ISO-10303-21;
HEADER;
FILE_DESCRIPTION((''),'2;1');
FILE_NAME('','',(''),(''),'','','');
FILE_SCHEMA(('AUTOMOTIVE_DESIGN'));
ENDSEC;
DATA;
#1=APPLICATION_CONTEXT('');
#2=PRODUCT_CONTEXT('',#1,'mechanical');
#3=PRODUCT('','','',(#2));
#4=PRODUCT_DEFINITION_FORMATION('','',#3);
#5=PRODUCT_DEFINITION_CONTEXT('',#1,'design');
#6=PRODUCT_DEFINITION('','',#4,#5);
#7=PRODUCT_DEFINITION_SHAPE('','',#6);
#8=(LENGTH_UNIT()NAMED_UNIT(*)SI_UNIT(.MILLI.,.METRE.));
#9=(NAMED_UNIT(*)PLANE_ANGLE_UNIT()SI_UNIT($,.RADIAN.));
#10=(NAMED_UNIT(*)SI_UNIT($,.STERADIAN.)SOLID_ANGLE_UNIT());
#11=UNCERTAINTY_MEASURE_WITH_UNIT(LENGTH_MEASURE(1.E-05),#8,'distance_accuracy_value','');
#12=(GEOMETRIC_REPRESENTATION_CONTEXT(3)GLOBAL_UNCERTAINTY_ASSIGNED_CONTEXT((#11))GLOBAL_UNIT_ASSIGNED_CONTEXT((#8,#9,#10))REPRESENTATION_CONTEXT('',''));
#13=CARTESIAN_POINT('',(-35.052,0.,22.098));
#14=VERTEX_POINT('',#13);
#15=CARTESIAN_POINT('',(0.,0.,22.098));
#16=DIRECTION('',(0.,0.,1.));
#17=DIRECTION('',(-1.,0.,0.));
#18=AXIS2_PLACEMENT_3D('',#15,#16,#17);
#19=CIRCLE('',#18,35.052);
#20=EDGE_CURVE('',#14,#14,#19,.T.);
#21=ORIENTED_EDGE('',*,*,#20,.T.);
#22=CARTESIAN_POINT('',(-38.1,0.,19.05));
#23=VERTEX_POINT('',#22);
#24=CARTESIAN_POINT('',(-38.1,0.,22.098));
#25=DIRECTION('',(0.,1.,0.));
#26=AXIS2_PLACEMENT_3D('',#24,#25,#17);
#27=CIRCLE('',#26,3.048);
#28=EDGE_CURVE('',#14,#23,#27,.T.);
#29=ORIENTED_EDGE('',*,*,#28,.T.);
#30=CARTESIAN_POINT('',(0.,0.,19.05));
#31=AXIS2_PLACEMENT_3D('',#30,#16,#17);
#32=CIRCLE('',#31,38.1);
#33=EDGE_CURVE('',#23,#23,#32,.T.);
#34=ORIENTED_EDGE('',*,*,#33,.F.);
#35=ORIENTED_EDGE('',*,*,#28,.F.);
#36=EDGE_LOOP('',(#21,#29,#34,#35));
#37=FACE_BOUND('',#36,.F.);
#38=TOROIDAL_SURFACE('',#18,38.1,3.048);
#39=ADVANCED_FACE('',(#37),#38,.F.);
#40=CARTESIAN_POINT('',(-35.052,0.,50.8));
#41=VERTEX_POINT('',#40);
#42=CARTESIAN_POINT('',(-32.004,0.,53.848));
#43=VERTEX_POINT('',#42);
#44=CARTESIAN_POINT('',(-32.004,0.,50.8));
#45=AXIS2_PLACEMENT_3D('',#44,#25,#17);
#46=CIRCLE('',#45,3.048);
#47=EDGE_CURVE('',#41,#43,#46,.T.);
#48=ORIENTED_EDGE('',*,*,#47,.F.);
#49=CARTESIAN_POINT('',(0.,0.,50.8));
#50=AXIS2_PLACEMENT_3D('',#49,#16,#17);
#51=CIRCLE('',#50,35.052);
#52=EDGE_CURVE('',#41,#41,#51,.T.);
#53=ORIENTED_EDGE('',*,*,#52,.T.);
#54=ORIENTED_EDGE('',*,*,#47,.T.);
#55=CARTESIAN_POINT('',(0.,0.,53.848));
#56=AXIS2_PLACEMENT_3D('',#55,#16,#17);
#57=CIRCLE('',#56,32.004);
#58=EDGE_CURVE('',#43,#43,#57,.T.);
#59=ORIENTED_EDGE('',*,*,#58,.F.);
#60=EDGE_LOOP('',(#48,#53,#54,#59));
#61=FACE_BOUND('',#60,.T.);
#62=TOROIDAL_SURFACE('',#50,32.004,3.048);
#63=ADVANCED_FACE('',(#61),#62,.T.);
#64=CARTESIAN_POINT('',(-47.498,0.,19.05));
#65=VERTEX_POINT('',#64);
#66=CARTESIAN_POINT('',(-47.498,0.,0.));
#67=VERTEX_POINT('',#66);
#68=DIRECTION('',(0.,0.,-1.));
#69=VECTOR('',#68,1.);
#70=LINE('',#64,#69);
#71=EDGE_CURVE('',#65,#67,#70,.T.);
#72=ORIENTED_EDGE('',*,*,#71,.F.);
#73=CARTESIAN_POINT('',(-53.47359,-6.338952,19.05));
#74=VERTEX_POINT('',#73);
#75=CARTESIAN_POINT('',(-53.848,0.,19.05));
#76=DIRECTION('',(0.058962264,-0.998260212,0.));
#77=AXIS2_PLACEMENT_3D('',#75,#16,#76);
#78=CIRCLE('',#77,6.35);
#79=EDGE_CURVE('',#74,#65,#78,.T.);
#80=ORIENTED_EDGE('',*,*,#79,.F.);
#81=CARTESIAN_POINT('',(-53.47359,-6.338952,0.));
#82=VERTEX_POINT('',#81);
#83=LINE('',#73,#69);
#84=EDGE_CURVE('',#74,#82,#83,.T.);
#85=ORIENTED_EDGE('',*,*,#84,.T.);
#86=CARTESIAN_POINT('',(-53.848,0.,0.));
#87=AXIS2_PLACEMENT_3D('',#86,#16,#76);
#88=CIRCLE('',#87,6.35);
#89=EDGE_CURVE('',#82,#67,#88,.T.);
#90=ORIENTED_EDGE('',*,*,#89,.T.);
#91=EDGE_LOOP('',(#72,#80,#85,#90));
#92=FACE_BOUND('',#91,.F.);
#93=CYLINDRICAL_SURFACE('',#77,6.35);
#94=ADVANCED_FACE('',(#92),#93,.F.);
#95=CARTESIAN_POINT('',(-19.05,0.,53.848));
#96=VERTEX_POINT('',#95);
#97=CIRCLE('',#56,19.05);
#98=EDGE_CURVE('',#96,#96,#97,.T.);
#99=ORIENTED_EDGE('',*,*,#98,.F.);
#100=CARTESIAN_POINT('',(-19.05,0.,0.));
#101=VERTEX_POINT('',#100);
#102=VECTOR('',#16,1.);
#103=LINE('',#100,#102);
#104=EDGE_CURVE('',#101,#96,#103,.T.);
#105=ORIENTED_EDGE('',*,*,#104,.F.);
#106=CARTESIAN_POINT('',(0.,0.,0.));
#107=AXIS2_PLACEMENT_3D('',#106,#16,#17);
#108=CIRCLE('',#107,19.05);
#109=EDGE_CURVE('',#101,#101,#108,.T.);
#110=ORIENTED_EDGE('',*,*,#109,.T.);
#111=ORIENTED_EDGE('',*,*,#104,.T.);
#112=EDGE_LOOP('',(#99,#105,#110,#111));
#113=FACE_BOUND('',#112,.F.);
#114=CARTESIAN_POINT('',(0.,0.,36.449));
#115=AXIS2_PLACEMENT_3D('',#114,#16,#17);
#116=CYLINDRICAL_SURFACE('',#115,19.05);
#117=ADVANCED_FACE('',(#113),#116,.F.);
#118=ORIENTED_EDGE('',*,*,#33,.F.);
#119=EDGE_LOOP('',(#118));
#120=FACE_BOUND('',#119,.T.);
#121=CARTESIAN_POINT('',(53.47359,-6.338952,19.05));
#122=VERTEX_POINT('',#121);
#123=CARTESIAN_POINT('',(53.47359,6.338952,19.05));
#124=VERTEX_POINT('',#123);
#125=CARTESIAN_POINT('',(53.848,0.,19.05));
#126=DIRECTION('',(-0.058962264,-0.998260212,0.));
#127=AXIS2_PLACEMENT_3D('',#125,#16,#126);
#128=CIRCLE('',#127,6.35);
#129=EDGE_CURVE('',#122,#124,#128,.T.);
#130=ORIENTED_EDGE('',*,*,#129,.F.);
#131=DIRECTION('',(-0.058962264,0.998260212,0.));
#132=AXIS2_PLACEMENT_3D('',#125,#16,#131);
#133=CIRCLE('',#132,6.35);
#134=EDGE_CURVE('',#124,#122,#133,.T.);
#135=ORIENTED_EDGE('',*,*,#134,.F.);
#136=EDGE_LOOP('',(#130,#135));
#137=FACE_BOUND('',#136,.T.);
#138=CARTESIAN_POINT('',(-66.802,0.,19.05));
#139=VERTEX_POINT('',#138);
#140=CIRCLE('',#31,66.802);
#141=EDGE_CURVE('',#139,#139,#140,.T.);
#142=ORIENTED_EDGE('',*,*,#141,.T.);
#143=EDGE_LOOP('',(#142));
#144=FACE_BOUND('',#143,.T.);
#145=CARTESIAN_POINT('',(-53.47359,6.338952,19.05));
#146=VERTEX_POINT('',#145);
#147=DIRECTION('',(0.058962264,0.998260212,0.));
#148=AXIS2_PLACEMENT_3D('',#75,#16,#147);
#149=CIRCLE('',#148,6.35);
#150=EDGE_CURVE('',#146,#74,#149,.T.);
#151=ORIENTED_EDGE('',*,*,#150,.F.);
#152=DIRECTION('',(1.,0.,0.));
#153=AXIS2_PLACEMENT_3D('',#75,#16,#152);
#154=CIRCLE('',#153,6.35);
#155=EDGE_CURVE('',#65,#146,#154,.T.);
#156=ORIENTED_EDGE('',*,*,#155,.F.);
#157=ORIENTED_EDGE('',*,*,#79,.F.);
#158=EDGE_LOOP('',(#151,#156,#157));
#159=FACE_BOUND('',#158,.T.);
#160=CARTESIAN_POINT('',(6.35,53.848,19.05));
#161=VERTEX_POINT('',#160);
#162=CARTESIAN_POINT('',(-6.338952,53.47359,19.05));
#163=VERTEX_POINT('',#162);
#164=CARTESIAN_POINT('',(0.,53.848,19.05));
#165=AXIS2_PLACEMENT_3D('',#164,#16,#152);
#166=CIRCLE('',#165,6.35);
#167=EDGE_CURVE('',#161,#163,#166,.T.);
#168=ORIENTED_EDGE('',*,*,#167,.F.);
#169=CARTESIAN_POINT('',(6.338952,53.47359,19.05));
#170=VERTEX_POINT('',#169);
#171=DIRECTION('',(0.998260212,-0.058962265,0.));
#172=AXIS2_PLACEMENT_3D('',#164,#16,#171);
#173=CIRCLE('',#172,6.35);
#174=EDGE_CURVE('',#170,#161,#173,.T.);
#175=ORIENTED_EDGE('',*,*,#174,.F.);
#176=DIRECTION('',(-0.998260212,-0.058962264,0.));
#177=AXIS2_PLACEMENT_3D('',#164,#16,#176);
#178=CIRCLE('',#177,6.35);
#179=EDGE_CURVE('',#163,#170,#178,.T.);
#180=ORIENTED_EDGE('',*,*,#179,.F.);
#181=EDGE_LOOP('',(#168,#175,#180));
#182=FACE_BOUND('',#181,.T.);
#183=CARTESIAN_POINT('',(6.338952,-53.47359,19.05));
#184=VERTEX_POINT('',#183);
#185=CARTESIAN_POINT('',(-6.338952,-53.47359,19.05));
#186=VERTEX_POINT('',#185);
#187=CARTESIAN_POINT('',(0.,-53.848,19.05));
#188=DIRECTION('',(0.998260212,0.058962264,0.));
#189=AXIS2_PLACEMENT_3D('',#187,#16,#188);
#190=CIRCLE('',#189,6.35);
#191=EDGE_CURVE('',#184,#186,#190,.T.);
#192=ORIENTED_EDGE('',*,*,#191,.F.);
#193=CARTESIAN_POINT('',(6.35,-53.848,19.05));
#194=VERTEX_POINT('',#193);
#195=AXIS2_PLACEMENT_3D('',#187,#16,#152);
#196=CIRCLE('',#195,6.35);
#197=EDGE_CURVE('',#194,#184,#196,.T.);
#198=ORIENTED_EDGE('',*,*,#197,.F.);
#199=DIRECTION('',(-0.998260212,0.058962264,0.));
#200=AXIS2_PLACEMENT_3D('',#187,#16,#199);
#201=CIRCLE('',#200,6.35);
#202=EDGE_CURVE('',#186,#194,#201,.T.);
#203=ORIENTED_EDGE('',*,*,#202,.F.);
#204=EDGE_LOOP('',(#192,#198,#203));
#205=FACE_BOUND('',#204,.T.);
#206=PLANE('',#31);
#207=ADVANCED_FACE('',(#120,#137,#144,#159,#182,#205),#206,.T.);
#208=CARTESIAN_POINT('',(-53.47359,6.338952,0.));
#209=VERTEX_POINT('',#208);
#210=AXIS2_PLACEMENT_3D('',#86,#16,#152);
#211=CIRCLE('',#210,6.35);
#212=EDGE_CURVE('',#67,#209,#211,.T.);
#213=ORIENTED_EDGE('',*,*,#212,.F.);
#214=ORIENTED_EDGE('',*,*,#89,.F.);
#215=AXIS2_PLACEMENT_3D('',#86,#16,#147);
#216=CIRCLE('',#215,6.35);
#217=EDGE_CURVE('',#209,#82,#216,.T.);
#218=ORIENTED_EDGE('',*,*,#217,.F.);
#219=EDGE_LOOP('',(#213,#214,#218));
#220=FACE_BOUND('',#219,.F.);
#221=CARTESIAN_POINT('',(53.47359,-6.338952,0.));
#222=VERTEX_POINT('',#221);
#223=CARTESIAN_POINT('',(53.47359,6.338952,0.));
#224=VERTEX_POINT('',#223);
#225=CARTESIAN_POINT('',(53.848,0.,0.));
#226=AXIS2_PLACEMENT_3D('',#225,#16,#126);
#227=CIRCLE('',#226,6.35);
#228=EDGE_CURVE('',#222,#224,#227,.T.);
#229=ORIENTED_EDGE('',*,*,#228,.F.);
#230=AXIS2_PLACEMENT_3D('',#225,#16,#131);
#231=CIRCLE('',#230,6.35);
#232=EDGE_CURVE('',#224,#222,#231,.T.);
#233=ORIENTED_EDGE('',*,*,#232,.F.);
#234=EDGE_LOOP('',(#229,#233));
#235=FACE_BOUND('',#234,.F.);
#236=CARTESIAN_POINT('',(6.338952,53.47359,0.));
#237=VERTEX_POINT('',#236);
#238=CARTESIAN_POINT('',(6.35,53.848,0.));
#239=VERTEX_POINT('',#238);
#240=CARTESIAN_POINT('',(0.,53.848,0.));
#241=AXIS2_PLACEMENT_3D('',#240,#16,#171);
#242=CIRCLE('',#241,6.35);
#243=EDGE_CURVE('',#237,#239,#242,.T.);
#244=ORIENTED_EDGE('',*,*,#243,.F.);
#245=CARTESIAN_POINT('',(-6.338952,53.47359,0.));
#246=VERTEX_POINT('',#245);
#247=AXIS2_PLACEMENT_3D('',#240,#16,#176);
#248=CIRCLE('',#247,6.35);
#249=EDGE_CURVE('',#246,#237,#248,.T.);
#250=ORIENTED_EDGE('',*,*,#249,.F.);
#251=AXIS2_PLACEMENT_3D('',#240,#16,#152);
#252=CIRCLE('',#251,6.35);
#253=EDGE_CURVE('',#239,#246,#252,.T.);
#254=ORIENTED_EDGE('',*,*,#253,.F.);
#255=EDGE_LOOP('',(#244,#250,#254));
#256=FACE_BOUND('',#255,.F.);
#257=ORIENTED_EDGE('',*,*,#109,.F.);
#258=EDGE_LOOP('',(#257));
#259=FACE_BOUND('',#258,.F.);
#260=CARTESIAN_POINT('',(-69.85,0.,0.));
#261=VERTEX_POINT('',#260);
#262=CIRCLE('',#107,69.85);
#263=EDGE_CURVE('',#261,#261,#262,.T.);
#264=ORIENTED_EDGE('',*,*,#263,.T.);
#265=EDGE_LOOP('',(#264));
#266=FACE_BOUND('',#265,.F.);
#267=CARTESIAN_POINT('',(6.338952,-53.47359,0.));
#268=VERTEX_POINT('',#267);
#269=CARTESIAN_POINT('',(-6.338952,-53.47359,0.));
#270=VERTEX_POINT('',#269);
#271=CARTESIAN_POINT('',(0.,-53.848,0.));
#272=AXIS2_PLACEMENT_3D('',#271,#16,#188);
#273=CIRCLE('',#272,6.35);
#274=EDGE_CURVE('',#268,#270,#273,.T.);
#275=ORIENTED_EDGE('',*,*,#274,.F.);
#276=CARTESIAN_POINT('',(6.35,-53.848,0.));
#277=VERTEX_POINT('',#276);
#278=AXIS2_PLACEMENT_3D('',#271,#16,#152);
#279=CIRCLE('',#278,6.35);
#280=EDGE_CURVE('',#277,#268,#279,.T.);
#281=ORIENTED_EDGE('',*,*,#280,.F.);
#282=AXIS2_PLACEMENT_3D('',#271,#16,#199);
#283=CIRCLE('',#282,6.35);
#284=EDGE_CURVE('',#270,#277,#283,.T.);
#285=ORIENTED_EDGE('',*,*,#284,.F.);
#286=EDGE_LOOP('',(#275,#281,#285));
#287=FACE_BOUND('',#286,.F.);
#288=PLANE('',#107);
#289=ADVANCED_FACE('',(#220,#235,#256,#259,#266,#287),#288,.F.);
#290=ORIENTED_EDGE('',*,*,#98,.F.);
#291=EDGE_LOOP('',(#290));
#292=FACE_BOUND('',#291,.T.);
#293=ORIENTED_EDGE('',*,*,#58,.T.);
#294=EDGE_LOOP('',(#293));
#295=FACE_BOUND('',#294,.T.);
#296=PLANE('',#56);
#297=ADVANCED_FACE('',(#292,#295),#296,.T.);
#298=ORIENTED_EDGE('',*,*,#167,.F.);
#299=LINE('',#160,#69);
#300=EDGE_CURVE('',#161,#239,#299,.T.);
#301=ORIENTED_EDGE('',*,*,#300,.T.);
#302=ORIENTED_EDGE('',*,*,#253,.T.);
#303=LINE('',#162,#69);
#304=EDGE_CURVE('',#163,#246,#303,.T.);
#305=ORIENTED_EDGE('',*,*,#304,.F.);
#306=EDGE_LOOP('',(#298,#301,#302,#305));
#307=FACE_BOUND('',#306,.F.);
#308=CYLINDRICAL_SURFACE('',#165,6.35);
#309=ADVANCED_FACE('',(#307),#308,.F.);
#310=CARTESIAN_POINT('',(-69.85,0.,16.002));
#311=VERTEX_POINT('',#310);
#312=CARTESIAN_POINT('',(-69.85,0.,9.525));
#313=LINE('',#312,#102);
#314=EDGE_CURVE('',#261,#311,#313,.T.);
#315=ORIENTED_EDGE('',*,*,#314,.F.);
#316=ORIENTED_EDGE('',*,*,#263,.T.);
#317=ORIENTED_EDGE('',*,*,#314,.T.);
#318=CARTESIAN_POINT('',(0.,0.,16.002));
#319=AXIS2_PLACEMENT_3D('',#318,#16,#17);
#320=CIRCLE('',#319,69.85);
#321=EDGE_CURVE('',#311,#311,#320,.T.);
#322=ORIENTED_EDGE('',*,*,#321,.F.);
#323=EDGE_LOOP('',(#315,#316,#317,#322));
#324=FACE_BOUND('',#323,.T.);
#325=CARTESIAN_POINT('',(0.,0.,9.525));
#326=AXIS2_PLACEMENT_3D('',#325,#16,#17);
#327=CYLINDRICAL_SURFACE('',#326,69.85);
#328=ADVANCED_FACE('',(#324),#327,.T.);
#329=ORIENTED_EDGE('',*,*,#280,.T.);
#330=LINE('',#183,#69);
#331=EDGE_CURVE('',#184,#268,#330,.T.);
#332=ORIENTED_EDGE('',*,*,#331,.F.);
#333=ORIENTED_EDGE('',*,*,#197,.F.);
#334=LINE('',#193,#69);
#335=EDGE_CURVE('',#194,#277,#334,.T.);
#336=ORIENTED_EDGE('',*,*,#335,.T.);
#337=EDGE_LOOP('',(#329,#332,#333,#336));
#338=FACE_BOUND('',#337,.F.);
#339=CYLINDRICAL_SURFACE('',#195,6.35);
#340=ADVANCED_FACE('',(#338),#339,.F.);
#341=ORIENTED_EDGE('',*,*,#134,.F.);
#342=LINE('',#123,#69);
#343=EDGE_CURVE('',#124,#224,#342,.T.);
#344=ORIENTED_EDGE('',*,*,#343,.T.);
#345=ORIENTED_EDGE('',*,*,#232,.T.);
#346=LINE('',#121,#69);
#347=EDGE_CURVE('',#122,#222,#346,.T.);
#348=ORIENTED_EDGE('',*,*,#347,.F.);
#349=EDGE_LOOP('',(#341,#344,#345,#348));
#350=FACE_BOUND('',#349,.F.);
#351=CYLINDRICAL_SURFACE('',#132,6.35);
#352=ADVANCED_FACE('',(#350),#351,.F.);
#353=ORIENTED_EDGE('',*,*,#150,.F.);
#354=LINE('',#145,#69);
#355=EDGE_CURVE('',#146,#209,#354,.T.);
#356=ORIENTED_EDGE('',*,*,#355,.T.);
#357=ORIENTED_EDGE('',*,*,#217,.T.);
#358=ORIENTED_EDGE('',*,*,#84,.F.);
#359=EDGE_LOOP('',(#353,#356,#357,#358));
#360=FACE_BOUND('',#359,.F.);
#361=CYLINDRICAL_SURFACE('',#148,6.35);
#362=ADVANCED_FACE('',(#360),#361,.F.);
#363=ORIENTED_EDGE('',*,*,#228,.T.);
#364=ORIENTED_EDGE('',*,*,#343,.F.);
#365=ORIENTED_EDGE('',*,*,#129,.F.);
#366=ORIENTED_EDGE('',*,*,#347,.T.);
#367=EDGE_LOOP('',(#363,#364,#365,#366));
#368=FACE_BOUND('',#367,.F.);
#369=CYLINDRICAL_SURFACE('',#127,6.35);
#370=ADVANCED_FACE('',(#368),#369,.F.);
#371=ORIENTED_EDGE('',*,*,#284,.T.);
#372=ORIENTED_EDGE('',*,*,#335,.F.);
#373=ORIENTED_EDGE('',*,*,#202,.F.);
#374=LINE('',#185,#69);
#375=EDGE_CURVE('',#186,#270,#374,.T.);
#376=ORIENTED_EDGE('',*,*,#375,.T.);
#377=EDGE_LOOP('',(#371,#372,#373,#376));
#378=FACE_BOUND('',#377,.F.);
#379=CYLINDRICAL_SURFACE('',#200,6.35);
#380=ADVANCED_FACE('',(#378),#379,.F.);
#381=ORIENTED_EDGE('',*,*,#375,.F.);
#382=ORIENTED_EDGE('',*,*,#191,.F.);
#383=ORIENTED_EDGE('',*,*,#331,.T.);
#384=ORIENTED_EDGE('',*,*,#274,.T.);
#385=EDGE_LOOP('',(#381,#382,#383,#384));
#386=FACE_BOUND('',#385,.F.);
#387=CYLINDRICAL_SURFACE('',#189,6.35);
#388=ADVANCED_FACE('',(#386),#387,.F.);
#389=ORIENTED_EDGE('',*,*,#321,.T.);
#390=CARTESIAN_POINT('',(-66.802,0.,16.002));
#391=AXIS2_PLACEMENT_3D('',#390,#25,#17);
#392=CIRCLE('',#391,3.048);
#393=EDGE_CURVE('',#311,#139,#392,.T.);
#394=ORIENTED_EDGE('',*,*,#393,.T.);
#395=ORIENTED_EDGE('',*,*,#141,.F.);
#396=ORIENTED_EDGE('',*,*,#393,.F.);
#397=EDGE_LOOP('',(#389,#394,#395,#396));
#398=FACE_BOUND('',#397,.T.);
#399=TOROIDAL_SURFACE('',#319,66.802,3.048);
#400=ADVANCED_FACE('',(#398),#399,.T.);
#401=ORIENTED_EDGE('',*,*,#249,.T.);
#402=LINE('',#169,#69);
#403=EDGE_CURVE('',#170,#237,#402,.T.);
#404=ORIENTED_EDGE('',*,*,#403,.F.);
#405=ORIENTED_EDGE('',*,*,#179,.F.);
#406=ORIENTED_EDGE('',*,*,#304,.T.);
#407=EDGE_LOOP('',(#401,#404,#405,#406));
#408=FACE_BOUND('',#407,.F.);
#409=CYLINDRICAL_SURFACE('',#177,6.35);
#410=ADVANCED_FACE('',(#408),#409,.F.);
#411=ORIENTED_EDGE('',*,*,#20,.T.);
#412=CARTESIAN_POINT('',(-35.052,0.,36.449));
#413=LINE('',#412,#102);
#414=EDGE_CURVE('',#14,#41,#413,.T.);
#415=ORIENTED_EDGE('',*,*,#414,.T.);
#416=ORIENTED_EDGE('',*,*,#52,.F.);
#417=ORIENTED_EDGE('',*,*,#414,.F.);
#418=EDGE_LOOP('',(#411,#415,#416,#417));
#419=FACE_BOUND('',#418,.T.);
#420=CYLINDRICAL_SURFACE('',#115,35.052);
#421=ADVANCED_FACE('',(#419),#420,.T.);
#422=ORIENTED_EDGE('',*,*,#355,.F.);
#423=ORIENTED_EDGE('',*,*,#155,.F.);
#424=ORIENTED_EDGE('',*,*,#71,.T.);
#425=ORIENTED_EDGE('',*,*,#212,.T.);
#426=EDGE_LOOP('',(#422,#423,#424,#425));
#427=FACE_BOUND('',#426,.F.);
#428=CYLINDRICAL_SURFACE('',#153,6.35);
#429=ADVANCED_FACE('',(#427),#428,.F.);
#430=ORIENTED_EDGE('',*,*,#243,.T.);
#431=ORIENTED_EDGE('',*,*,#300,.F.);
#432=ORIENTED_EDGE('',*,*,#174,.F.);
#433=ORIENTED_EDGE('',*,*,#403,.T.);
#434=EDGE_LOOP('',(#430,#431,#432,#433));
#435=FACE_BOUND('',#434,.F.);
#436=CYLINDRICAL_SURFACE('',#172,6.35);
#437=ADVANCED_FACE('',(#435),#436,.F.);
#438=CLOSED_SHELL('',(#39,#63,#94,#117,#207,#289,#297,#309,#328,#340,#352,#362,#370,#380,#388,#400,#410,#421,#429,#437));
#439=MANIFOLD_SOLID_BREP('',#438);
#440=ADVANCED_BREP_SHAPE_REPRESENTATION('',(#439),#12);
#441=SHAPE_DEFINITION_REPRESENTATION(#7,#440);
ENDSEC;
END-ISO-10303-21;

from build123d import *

# Parameters (mm, degrees)
F0_W     = 50.8
F0_H     = 19.05
F2_W     = 16.002
F2_H     = 34.798
F4_R     = 3.048
F6_DEPTH = 19.051


with BuildPart() as f1:
    # F0 (on Front) → F1 (revolve)
    with BuildSketch(Plane.XZ):
        with Locations((-44.45, 9.525)):
            Rectangle(F0_W, F0_H)
    revolve(axis=Axis((0, 0, 39.3560769007), (0, 0, 1)))

    # F2 (on Front) → F3 (revolve)
    with BuildSketch(Plane.XZ):
        with Locations((-27.051, 36.449)):
            Rectangle(F2_W, F2_H)
    revolve(axis=Axis((0, 0, 39.3560769007), (0, 0, 1)))

    # F4
    f4_edges = [f1.edges().sort_by_distance(p)[0] for p in [
        (35.052, 0, 53.848),
        (69.85, 0, 19.05),
        (35.052, 0, 19.05),
    ]]
    fillet(f4_edges, radius=F4_R)

    # F5 (on face) → F6 (cut, through all)
    with BuildSketch(Plane.XY.offset(19.05)):
        with BuildLine():
            ThreePointArc((-6.3389523479, 53.4735896226), (0, 47.498), (6.3389523479, 53.4735896226))
            ThreePointArc((6.3389523479, 53.4735896226), (0, 53.848), (-6.3389523479, 53.4735896226))
        make_face()
        with BuildLine():
            ThreePointArc((-6.3389523479, 53.4735896226), (0, 53.848), (6.3389523479, 53.4735896226))
            ThreePointArc((6.3389523479, 53.4735896226), (6.3472374861, 53.6607133338), (6.35, 53.848))
            ThreePointArc((6.35, 53.848), (-0.1872866662, 60.1952374861), (-6.3389523479, 53.4735896226))
        make_face()
        with BuildLine():
            ThreePointArc((-47.498, 0), (-49.2273936601, 4.3557429965), (-53.4735896226, 6.3389523479))
            ThreePointArc((-53.4735896226, 6.3389523479), (-53.848, 0), (-53.4735896226, -6.3389523479))
            ThreePointArc((-53.4735896226, -6.3389523479), (-49.2273936601, -4.3557429965), (-47.498, 0))
        make_face()
        with BuildLine():
            ThreePointArc((-53.4735896226, -6.3389523479), (-53.848, 0), (-53.4735896226, 6.3389523479))
            ThreePointArc((-53.4735896226, 6.3389523479), (-60.198, 0), (-53.4735896226, -6.3389523479))
        make_face()
        with BuildLine():
            ThreePointArc((53.4735896226, 6.3389523479), (53.7543159104, 3.175), (53.848, 0))
            ThreePointArc((53.848, 0), (53.7543159104, -3.175), (53.4735896226, -6.3389523479))
            ThreePointArc((53.4735896226, -6.3389523479), (58.2037429965, -4.6206063399), (60.198, 0))
            ThreePointArc((60.198, 0), (58.2037429965, 4.6206063399), (53.4735896226, 6.3389523479))
        make_face()
        with BuildLine():
            ThreePointArc((53.4735896226, -6.3389523479), (53.7543159104, -3.175), (53.848, 0))
            ThreePointArc((53.848, 0), (53.7543159104, 3.175), (53.4735896226, 6.3389523479))
            ThreePointArc((53.4735896226, 6.3389523479), (47.498, 0), (53.4735896226, -6.3389523479))
        make_face()
        with BuildLine():
            ThreePointArc((-6.3389523479, -53.4735896226), (0, -53.848), (6.3389523479, -53.4735896226))
            ThreePointArc((6.3389523479, -53.4735896226), (0, -47.498), (-6.3389523479, -53.4735896226))
        make_face()
        with BuildLine():
            ThreePointArc((6.35, -53.848), (6.3472374861, -53.6607133338), (6.3389523479, -53.4735896226))
            ThreePointArc((6.3389523479, -53.4735896226), (0, -53.848), (-6.3389523479, -53.4735896226))
            ThreePointArc((-6.3389523479, -53.4735896226), (-0.1872866662, -60.1952374861), (6.35, -53.848))
        make_face()
    extrude(amount=-F6_DEPTH, mode=Mode.SUBTRACT)


solid = f1.part
